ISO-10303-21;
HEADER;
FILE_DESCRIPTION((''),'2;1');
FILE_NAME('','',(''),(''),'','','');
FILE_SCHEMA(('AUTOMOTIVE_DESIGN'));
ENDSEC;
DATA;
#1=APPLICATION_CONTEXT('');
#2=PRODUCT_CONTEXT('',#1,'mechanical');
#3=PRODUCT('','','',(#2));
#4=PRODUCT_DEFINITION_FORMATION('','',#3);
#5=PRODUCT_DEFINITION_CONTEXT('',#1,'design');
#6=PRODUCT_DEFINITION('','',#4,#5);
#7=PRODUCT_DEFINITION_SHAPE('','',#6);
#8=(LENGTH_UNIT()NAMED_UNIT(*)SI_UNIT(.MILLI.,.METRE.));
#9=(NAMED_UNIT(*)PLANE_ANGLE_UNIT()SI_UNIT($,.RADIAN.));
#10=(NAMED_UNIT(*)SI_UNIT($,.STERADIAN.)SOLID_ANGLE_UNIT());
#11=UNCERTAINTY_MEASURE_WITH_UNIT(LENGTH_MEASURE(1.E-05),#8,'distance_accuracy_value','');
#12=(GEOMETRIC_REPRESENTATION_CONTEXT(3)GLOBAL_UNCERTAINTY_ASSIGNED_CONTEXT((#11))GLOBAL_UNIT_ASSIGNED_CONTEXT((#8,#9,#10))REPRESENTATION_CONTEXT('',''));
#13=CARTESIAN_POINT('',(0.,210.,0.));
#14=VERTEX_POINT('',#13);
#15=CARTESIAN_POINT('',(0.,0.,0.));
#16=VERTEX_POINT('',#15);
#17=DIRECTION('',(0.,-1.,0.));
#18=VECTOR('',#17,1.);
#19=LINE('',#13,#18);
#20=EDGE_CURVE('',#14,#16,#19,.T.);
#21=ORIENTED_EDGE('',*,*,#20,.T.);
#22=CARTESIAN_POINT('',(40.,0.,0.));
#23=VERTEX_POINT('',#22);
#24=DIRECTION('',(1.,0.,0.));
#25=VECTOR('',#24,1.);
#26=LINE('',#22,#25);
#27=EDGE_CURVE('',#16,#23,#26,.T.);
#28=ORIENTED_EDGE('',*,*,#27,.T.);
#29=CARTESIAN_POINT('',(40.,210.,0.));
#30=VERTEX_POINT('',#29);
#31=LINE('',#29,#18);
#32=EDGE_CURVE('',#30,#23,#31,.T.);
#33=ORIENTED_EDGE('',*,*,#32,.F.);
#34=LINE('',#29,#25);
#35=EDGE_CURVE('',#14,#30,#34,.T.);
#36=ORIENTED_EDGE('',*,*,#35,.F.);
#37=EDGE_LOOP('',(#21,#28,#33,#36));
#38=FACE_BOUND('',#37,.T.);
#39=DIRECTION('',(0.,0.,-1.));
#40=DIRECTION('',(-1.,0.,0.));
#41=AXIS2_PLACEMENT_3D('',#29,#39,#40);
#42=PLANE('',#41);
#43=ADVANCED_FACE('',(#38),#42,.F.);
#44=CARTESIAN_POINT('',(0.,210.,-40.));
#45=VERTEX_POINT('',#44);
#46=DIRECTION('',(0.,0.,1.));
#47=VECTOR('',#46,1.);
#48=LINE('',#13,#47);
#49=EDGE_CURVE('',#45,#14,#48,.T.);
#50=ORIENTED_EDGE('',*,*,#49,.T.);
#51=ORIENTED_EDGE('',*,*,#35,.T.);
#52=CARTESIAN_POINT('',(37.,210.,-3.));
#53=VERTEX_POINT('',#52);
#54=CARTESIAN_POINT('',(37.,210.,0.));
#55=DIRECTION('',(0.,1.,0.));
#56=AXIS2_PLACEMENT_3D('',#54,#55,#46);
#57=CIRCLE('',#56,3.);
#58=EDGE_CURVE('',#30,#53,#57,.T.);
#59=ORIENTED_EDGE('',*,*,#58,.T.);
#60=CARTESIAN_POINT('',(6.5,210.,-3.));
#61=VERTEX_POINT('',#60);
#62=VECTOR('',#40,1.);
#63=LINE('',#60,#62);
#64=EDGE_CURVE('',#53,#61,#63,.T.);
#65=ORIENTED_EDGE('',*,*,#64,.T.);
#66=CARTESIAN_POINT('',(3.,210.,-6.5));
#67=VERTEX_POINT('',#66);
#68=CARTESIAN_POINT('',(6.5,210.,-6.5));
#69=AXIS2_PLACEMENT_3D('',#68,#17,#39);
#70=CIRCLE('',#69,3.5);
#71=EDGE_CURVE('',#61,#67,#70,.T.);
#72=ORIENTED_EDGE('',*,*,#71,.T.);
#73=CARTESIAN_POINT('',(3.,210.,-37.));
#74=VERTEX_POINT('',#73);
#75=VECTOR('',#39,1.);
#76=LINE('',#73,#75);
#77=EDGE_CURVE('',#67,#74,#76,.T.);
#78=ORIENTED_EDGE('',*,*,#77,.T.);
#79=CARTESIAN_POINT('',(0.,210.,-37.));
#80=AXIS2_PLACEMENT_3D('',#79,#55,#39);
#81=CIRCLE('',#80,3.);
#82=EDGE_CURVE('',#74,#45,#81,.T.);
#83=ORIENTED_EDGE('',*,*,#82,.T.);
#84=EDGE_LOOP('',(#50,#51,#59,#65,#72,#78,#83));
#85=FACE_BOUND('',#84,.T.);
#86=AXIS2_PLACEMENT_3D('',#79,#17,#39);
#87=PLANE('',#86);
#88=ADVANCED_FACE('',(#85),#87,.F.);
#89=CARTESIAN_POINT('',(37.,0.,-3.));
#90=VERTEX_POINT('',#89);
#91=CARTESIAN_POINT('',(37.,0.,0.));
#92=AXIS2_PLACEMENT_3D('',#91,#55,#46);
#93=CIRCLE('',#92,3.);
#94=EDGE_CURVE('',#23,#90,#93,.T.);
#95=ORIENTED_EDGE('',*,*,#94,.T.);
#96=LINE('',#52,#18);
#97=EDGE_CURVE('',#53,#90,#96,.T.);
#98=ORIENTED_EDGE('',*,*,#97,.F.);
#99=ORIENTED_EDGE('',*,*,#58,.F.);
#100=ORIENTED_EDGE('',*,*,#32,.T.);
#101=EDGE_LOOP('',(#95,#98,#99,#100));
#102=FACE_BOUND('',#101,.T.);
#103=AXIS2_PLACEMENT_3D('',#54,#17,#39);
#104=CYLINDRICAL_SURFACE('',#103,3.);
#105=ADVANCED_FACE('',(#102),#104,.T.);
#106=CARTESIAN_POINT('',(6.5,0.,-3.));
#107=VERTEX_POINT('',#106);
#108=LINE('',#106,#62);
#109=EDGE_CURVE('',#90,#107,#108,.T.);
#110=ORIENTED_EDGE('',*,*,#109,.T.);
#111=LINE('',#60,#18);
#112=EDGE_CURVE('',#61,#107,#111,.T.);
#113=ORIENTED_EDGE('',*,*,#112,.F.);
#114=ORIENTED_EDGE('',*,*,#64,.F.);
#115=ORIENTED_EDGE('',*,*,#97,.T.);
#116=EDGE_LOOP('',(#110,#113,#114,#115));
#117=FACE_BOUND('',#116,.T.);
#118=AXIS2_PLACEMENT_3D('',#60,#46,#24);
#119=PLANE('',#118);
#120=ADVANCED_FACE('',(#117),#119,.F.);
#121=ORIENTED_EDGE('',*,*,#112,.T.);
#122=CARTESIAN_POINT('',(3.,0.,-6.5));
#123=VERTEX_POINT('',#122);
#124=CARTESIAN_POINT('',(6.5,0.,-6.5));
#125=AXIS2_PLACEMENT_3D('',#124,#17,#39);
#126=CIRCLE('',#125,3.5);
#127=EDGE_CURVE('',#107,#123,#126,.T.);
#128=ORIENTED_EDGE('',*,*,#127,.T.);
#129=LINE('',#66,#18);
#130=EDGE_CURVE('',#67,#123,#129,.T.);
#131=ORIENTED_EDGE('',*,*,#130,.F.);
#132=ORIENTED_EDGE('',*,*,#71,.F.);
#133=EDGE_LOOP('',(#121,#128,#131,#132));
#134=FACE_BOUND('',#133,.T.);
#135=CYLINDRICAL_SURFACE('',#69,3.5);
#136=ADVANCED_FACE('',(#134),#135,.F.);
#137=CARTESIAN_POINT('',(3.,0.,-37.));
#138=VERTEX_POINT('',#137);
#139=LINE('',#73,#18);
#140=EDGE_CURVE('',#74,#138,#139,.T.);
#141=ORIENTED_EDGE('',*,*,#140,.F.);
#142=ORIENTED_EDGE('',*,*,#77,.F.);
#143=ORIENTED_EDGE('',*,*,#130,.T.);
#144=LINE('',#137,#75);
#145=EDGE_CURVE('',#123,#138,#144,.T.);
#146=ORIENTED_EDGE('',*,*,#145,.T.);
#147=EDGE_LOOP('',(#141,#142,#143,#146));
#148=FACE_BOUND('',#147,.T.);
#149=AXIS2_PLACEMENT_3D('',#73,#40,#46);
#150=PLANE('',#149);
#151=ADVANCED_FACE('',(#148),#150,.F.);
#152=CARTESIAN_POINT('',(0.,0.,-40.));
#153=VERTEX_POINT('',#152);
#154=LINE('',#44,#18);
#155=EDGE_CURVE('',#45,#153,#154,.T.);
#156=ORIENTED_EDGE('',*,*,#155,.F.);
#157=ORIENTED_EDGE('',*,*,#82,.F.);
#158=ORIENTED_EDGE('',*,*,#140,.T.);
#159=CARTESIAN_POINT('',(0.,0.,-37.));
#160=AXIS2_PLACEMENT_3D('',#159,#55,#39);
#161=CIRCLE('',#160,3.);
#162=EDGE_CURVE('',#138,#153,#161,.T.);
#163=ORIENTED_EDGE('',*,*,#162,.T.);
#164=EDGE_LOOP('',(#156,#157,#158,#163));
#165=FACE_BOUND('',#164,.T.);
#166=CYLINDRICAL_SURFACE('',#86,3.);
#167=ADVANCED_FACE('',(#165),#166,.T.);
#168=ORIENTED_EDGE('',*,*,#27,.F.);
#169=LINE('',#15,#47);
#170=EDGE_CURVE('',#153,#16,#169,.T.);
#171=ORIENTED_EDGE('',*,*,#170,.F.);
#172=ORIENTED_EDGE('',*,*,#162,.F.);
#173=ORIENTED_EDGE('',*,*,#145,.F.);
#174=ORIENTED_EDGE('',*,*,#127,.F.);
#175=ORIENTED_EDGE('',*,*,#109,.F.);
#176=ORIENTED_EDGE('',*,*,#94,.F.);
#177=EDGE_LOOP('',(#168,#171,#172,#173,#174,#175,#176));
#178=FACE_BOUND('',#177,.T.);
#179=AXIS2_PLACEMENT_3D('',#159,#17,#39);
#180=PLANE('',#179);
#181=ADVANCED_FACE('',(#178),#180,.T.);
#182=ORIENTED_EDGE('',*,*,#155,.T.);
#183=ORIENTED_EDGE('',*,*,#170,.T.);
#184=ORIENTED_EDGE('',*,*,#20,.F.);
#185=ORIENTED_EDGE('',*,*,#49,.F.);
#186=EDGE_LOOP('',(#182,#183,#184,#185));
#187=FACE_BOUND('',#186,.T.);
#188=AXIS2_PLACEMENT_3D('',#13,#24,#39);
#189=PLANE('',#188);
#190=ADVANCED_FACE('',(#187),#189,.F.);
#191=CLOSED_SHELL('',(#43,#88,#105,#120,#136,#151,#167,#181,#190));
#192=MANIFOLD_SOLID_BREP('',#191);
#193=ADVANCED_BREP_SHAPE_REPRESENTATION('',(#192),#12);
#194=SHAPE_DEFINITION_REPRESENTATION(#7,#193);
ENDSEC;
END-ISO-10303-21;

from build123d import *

# Parameters (mm, degrees)
IRON_V40X40X3_1_DEPTH = 210


with BuildPart() as part:
    # Sketch11 → Iron V40X40X3(1) (new body)
    with BuildSketch(Plane(origin=(0, 0, 0), x_dir=(1, 0, 0), z_dir=(0, 1, 0))):
        with BuildLine():
            Line((0, 0), (0, 40))
            ThreePointArc((0, 40), (2.121320344, 39.121320344), (3, 37))
            Line((3, 37), (3, 6.5))
            ThreePointArc((3, 6.5), (4.025126266, 4.025126266), (6.5, 3))
            Line((6.5, 3), (37, 3))
            ThreePointArc((37, 3), (39.121320344, 2.121320344), (40, 0))
            Line((40, 0), (0, 0))
        make_face()
    extrude(amount=IRON_V40X40X3_1_DEPTH)


solid = part.part
